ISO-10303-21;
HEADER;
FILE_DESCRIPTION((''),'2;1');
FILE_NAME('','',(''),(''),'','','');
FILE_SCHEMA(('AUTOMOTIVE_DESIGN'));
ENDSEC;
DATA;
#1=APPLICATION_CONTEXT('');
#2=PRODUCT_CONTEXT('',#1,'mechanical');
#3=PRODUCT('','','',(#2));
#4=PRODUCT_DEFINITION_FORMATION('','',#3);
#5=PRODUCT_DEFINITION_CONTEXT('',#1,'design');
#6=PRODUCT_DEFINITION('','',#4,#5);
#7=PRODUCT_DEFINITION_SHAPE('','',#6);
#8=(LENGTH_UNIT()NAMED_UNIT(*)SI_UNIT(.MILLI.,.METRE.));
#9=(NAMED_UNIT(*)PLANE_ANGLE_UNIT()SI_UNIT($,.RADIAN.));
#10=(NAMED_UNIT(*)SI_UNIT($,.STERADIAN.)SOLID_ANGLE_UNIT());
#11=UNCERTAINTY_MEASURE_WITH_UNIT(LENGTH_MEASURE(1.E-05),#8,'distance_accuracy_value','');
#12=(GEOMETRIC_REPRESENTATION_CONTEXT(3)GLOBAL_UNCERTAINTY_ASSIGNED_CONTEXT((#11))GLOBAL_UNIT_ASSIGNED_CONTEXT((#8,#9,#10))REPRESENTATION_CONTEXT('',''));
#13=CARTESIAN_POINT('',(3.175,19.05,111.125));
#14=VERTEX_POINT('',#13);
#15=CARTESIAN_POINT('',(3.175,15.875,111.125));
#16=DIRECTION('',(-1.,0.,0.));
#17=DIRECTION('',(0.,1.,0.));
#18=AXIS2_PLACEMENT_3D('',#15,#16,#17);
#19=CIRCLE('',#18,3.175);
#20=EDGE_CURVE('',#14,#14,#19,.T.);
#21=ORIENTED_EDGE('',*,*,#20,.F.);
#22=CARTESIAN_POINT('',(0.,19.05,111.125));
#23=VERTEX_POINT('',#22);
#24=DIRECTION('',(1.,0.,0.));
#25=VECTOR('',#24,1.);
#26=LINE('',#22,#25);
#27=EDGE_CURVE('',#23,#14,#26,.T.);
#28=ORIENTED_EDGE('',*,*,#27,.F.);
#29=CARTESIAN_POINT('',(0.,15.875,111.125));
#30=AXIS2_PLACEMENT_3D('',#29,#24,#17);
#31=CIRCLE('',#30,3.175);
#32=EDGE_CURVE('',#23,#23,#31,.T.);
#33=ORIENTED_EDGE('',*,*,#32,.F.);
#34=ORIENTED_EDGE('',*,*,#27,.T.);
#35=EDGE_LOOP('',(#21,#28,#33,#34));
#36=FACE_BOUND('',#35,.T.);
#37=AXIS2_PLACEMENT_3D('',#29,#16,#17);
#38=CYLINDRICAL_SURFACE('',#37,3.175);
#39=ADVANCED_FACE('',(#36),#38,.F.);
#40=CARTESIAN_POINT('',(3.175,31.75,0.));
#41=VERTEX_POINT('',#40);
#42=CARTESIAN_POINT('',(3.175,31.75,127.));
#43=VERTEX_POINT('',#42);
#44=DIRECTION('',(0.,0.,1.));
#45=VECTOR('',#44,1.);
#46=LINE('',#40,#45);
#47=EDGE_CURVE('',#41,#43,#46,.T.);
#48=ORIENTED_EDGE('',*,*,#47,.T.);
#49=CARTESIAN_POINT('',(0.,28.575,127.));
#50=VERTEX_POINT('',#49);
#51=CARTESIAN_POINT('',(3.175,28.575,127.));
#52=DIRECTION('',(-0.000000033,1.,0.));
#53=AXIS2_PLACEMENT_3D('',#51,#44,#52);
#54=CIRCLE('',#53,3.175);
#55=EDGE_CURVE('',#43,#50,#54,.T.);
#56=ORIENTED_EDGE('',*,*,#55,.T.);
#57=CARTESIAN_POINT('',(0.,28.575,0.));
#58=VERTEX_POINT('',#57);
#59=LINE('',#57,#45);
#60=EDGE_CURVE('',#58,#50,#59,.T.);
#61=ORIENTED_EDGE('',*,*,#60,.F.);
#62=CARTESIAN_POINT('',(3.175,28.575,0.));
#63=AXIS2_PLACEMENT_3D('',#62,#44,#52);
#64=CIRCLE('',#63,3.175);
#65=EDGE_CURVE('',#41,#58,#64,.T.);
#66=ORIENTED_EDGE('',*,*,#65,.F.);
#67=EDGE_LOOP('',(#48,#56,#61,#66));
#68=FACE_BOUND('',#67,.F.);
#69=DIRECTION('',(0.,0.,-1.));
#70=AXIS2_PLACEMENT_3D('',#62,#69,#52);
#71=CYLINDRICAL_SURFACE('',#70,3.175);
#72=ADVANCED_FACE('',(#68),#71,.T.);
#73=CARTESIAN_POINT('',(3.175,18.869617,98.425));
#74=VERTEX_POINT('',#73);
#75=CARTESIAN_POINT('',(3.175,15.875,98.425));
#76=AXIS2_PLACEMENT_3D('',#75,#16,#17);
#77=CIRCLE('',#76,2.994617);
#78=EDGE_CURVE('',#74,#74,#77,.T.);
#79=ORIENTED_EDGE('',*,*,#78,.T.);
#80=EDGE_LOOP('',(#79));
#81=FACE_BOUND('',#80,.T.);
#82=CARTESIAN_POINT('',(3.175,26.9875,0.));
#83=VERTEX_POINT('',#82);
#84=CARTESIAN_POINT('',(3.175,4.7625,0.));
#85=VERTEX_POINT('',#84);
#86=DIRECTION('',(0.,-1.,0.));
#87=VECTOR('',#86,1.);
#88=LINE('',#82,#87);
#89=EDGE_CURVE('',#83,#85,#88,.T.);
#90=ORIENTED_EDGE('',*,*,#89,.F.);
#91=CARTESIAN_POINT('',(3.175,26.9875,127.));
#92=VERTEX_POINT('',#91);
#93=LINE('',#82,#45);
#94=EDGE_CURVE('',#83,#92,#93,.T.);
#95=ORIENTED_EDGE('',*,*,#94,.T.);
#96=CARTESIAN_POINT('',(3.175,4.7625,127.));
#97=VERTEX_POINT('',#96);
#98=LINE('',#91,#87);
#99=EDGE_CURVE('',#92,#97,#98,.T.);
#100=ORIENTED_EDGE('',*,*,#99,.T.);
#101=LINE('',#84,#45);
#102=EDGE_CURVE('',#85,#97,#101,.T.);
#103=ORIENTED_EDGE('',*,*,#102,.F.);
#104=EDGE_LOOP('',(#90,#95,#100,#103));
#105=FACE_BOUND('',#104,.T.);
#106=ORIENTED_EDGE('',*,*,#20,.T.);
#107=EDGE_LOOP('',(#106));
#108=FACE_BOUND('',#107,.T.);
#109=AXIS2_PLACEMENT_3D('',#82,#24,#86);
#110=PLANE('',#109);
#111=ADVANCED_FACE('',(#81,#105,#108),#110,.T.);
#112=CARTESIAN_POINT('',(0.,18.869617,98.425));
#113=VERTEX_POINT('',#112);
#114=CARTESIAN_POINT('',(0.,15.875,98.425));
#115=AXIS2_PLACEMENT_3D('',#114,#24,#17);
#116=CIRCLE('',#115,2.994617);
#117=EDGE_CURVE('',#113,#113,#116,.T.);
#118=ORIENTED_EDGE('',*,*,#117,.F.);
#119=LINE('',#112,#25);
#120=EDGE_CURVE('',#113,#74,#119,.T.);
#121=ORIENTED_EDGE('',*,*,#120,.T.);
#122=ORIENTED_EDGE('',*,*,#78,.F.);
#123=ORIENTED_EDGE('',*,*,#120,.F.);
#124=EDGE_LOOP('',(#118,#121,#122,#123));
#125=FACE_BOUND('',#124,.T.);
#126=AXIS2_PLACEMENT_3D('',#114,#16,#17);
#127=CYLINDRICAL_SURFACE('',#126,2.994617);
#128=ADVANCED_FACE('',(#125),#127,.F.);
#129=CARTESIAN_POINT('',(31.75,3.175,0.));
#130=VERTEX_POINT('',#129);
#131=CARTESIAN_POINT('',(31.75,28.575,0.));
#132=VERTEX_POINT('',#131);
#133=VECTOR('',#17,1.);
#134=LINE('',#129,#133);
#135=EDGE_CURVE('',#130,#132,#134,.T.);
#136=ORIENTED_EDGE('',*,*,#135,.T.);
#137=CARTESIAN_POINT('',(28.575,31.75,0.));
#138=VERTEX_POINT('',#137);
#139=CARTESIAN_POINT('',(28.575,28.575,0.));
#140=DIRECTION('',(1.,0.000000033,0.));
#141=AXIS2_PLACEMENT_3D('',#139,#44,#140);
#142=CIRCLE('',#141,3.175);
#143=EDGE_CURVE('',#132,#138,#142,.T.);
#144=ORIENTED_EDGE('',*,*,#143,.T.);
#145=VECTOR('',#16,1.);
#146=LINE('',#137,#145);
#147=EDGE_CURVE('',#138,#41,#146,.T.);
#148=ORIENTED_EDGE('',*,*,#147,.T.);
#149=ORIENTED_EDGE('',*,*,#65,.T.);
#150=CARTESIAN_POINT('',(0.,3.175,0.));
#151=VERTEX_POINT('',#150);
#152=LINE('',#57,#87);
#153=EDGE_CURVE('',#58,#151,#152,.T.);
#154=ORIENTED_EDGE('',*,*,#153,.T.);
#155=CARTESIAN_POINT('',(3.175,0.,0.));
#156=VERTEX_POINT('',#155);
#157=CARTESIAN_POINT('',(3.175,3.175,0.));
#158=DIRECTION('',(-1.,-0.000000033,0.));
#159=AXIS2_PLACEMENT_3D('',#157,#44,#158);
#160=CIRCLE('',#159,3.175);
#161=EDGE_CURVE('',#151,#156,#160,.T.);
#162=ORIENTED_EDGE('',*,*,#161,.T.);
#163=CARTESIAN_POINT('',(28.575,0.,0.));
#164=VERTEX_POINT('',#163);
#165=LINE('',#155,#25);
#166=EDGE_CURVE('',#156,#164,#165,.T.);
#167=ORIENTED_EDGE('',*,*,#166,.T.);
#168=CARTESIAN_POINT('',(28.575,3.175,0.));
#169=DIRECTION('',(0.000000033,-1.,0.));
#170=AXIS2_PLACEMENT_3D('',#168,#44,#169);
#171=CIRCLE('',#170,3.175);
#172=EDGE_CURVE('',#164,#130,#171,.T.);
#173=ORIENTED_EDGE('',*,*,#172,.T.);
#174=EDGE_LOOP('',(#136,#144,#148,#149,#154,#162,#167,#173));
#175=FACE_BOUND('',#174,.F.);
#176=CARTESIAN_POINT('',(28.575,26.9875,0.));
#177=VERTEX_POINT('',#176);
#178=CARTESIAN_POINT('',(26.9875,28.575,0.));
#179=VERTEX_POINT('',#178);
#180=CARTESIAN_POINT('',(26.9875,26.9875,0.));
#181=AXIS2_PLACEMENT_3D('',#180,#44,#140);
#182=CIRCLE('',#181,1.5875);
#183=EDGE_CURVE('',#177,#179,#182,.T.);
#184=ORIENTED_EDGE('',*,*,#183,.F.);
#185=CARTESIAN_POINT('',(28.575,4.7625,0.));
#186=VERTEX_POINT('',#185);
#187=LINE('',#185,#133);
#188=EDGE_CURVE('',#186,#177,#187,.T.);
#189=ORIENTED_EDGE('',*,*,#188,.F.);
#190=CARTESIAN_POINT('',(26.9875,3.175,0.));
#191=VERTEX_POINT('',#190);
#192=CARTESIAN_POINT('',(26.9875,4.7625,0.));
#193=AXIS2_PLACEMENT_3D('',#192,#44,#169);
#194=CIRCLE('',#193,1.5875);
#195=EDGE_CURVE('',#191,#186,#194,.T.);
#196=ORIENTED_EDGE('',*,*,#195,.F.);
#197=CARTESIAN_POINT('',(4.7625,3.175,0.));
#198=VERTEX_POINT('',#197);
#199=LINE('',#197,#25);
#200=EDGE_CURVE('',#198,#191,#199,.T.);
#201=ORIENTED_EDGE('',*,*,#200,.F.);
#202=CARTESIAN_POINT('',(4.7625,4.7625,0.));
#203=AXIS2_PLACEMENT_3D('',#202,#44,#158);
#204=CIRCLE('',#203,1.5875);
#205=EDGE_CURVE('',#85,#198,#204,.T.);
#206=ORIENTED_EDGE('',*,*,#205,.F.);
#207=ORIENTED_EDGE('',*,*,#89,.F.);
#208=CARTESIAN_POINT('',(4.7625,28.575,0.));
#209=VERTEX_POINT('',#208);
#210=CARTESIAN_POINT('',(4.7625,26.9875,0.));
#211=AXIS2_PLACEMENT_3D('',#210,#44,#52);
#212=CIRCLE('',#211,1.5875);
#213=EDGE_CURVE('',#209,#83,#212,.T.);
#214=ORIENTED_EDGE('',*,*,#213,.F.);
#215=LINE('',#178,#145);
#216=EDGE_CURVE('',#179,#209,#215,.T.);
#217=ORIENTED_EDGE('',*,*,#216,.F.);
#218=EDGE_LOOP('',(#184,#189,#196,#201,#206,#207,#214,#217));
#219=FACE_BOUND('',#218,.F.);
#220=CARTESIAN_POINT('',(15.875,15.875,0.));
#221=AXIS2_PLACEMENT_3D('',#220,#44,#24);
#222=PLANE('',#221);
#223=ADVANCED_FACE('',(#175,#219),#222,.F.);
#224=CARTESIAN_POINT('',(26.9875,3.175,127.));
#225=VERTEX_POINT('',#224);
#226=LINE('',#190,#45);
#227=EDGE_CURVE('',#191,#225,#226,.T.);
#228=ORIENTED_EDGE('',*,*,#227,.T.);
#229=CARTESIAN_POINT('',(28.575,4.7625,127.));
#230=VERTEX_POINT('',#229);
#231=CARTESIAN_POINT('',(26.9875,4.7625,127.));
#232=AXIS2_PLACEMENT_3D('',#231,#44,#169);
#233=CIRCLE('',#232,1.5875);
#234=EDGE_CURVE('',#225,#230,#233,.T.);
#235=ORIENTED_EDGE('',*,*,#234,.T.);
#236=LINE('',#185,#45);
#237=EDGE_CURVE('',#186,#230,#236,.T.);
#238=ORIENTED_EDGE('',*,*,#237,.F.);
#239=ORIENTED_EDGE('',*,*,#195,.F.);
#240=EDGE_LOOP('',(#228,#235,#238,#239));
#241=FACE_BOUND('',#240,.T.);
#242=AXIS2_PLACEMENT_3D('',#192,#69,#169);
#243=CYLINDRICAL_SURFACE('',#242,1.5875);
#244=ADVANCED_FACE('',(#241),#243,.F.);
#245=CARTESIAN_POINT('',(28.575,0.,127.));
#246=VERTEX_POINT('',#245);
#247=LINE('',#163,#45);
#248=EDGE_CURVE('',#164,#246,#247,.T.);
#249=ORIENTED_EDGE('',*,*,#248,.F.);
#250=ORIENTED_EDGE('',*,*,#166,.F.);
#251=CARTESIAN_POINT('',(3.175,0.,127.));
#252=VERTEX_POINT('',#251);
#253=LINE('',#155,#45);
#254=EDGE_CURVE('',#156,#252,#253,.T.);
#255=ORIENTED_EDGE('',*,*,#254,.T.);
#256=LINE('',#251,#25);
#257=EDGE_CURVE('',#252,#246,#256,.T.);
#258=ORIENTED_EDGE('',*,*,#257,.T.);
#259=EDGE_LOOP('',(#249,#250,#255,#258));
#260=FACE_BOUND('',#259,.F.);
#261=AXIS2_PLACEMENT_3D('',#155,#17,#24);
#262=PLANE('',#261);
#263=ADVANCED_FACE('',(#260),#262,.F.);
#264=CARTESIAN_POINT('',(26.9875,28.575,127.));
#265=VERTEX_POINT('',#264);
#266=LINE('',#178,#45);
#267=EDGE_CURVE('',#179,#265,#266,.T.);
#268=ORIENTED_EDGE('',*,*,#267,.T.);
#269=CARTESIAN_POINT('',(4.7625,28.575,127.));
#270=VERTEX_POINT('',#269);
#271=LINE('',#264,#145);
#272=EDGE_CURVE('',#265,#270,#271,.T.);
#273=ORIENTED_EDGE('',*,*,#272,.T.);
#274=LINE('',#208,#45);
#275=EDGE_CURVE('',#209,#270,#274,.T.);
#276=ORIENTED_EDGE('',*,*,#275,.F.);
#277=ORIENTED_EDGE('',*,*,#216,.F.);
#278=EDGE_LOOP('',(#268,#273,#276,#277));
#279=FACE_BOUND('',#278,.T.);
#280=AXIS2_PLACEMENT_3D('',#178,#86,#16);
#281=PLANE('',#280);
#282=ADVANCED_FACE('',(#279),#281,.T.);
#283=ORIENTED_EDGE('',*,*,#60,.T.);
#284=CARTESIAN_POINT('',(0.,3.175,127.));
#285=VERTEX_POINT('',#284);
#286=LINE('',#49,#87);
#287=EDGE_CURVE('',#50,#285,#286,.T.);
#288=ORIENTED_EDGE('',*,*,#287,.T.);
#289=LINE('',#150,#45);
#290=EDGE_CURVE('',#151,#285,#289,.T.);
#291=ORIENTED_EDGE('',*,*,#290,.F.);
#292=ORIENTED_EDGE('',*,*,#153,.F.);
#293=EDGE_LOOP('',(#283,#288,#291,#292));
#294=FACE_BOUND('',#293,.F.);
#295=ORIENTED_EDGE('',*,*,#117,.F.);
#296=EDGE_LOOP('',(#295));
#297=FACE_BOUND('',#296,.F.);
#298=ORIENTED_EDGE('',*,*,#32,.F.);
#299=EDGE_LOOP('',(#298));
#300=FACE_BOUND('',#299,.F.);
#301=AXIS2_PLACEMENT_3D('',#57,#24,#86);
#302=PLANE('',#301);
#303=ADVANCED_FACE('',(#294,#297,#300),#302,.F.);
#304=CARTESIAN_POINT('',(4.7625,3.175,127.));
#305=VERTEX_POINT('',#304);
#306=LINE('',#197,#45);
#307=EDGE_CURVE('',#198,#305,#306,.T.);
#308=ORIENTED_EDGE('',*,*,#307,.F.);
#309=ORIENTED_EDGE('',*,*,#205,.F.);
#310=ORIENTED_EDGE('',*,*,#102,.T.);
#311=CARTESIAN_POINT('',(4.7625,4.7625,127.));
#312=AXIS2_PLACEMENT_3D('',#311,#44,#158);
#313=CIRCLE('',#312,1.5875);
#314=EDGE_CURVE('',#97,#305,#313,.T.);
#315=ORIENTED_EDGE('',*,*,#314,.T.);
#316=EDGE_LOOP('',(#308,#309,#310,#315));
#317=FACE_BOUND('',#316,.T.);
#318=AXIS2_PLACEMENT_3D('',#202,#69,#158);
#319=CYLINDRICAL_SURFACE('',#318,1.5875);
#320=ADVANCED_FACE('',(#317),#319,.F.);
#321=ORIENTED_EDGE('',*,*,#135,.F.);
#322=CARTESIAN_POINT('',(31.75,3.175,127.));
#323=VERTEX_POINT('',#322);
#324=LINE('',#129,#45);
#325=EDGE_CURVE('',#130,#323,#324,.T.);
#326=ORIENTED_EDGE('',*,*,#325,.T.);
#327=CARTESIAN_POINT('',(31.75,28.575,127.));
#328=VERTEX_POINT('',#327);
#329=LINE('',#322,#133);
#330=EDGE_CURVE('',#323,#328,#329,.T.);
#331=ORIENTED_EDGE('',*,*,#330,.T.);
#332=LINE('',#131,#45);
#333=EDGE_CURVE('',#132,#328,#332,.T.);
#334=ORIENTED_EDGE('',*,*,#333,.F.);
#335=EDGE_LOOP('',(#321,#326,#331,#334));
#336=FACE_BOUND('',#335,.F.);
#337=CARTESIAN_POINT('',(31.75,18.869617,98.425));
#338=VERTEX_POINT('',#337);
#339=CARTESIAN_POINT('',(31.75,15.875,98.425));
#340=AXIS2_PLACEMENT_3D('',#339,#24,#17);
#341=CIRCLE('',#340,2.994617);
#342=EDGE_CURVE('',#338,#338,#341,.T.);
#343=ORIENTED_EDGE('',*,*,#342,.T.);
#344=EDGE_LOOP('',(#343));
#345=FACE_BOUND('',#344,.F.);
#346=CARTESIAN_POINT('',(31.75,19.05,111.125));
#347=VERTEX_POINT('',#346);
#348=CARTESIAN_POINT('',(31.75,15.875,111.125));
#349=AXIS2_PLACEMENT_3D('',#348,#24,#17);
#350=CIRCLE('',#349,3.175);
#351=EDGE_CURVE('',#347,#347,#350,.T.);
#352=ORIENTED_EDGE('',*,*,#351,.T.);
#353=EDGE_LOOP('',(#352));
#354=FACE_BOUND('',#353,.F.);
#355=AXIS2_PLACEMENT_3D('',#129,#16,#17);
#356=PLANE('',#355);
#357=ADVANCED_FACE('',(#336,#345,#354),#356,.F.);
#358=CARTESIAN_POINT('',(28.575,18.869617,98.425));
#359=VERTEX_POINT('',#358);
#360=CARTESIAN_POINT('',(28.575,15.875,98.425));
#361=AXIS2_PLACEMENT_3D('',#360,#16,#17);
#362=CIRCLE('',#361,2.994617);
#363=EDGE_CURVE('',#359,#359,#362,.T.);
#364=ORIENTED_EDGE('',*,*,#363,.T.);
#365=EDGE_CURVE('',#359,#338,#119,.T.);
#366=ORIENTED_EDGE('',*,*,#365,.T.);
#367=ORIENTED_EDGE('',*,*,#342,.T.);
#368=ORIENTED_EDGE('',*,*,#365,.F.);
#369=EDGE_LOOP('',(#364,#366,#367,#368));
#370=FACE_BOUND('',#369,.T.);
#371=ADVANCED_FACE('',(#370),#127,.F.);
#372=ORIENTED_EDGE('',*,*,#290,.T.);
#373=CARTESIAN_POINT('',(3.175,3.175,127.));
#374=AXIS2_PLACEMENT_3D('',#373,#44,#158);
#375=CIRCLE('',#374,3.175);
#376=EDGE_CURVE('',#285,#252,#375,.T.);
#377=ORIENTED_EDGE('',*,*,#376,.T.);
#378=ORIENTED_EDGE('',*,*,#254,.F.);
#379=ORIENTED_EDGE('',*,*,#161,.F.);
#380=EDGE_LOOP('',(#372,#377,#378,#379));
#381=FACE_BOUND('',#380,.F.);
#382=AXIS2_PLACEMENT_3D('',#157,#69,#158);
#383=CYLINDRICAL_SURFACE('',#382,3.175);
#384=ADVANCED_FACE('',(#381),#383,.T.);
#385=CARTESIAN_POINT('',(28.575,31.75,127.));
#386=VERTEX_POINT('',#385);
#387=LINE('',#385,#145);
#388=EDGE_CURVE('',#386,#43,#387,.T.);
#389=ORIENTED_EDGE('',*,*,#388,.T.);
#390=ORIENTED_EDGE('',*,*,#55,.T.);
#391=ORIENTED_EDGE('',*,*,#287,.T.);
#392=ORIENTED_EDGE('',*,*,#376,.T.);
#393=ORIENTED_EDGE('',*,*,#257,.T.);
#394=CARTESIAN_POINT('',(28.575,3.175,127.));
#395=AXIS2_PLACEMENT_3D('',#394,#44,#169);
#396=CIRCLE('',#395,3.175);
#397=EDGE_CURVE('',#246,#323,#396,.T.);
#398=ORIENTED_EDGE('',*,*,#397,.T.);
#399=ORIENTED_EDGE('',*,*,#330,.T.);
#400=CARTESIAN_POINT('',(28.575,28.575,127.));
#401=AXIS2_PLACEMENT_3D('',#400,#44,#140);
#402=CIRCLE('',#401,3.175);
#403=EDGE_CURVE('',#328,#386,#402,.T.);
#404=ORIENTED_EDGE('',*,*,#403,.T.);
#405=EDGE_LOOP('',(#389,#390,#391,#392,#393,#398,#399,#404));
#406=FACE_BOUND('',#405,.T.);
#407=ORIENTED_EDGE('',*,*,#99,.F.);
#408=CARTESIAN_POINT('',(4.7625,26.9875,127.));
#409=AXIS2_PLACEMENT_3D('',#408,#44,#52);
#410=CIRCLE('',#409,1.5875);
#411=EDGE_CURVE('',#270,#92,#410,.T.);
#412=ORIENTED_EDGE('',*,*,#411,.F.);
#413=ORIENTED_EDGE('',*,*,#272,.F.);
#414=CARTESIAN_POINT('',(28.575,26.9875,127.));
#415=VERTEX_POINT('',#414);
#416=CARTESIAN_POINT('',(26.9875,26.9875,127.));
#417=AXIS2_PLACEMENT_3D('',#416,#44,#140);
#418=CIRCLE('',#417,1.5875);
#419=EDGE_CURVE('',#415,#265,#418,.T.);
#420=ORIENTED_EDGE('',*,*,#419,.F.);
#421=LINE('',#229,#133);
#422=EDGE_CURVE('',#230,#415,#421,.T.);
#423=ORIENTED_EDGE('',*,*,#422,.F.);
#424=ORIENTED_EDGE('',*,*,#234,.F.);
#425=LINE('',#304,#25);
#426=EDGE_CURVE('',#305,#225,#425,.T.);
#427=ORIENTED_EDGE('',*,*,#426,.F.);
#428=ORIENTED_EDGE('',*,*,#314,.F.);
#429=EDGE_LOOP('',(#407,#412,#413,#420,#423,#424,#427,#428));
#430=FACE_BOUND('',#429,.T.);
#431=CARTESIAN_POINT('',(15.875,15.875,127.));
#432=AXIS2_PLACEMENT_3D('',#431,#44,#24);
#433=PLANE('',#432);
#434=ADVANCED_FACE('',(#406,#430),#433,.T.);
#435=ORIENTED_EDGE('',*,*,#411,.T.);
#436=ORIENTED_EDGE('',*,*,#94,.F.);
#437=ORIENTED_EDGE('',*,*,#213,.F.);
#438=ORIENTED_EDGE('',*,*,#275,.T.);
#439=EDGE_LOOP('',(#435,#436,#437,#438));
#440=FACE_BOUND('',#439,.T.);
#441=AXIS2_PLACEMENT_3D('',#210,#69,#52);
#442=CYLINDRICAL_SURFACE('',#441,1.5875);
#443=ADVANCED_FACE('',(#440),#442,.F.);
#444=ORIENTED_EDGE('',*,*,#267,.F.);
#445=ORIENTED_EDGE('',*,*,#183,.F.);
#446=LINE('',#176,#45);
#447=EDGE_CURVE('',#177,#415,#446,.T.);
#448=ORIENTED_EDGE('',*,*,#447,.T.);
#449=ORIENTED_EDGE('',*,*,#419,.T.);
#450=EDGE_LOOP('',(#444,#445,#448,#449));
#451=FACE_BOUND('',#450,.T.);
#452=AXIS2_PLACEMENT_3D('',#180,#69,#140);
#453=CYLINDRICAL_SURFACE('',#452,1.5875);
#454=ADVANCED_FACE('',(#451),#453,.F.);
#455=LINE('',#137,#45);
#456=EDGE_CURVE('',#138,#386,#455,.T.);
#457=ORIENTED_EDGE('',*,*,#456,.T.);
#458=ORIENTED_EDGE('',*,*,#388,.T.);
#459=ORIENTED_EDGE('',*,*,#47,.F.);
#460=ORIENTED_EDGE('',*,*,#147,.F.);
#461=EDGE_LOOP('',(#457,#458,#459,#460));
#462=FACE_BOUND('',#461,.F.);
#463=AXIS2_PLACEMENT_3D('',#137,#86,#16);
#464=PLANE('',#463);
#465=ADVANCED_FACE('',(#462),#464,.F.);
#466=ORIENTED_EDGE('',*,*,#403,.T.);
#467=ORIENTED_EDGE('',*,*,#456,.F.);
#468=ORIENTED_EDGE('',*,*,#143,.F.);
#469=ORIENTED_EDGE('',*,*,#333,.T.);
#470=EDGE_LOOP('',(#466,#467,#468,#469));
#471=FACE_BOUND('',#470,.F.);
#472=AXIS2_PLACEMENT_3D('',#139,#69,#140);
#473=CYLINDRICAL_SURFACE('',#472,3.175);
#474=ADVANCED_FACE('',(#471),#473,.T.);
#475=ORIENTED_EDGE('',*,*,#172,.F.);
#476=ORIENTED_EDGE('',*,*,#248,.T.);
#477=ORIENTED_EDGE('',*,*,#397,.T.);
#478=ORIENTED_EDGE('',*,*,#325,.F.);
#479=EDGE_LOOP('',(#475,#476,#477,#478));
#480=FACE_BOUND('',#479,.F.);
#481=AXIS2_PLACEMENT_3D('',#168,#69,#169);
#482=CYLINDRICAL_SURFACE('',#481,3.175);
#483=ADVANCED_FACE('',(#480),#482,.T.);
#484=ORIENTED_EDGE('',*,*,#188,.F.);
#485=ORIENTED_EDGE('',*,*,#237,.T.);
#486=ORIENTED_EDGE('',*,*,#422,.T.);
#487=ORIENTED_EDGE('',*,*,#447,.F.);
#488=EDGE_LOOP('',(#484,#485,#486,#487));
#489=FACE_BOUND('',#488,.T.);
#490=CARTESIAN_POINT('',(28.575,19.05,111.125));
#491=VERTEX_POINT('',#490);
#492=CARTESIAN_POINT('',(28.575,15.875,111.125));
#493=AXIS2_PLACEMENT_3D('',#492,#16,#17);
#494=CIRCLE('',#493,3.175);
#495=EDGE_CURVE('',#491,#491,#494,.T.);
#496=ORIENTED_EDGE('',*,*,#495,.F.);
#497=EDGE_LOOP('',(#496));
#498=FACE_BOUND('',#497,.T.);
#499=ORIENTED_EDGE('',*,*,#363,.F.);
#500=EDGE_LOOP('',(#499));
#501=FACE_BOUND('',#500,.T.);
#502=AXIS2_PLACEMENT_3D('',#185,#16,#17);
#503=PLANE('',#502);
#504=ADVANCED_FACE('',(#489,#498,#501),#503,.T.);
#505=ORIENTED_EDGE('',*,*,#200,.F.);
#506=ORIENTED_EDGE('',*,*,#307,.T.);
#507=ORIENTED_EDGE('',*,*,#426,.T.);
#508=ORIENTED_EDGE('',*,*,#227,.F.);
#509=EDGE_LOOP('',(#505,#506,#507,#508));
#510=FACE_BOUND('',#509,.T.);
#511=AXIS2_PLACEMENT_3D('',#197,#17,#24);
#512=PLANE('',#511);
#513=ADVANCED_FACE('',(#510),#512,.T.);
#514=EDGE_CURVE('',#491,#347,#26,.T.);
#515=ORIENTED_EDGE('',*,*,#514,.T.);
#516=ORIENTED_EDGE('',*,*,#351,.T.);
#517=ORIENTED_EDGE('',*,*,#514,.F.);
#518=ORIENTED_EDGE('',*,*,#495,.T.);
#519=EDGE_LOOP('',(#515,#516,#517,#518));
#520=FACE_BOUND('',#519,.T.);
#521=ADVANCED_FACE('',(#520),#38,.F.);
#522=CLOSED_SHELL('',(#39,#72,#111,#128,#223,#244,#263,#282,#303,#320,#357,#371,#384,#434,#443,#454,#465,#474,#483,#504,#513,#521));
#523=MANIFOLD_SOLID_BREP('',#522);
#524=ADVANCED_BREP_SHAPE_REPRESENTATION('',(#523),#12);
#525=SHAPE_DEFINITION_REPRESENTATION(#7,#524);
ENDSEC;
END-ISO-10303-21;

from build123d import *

# Parameters (mm, degrees)
F1_DEPTH = 127
F3_DEPTH = 127
F4_R     = 3.175
F4_R_2   = 2.994617
F5_DEPTH = 31.75


with BuildPart() as f1:
    # F0 (on Top) → F1 (new body)
    with BuildSketch(Plane.XY):
        with BuildLine():
            ThreePointArc((0, 3.175), (0.929936, 0.929936), (3.175, 0))
            Line((3.175, 0), (28.575, 0))
            ThreePointArc((28.575, 0), (30.820064, 0.929936), (31.75, 3.175))
            Line((31.75, 3.175), (31.75, 28.575))
            ThreePointArc((31.75, 28.575), (30.820064, 30.820064), (28.575, 31.75))
            Line((28.575, 31.75), (3.175, 31.75))
            ThreePointArc((3.175, 31.75), (0.929936, 30.820064), (0, 28.575))
            Line((0, 28.575), (0, 3.175))
        make_face()
    extrude(amount=F1_DEPTH)

    # F2 (on Top) → F3 (cut)
    with BuildSketch(Plane.XY):
        with BuildLine():
            ThreePointArc((3.175, 4.7625), (3.639968, 3.639968), (4.7625, 3.175))
            Line((4.7625, 3.175), (26.9875, 3.175))
            ThreePointArc((26.9875, 3.175), (28.110032, 3.639968), (28.575, 4.7625))
            Line((28.575, 4.7625), (28.575, 26.9875))
            ThreePointArc((28.575, 26.9875), (28.110032, 28.110032), (26.9875, 28.575))
            Line((26.9875, 28.575), (4.7625, 28.575))
            ThreePointArc((4.7625, 28.575), (3.639968, 28.110032), (3.175, 26.9875))
            Line((3.175, 26.9875), (3.175, 4.7625))
        make_face()
    extrude(amount=F3_DEPTH, mode=Mode.SUBTRACT)

    # F4 (on Right) → F5 (cut)
    with BuildSketch(Plane.YZ):
        with Locations((15.875, 111.125)):
            Circle(F4_R)
        with Locations((15.875, 98.425)):
            Circle(F4_R_2)
    extrude(amount=F5_DEPTH, mode=Mode.SUBTRACT)


solid = f1.part
